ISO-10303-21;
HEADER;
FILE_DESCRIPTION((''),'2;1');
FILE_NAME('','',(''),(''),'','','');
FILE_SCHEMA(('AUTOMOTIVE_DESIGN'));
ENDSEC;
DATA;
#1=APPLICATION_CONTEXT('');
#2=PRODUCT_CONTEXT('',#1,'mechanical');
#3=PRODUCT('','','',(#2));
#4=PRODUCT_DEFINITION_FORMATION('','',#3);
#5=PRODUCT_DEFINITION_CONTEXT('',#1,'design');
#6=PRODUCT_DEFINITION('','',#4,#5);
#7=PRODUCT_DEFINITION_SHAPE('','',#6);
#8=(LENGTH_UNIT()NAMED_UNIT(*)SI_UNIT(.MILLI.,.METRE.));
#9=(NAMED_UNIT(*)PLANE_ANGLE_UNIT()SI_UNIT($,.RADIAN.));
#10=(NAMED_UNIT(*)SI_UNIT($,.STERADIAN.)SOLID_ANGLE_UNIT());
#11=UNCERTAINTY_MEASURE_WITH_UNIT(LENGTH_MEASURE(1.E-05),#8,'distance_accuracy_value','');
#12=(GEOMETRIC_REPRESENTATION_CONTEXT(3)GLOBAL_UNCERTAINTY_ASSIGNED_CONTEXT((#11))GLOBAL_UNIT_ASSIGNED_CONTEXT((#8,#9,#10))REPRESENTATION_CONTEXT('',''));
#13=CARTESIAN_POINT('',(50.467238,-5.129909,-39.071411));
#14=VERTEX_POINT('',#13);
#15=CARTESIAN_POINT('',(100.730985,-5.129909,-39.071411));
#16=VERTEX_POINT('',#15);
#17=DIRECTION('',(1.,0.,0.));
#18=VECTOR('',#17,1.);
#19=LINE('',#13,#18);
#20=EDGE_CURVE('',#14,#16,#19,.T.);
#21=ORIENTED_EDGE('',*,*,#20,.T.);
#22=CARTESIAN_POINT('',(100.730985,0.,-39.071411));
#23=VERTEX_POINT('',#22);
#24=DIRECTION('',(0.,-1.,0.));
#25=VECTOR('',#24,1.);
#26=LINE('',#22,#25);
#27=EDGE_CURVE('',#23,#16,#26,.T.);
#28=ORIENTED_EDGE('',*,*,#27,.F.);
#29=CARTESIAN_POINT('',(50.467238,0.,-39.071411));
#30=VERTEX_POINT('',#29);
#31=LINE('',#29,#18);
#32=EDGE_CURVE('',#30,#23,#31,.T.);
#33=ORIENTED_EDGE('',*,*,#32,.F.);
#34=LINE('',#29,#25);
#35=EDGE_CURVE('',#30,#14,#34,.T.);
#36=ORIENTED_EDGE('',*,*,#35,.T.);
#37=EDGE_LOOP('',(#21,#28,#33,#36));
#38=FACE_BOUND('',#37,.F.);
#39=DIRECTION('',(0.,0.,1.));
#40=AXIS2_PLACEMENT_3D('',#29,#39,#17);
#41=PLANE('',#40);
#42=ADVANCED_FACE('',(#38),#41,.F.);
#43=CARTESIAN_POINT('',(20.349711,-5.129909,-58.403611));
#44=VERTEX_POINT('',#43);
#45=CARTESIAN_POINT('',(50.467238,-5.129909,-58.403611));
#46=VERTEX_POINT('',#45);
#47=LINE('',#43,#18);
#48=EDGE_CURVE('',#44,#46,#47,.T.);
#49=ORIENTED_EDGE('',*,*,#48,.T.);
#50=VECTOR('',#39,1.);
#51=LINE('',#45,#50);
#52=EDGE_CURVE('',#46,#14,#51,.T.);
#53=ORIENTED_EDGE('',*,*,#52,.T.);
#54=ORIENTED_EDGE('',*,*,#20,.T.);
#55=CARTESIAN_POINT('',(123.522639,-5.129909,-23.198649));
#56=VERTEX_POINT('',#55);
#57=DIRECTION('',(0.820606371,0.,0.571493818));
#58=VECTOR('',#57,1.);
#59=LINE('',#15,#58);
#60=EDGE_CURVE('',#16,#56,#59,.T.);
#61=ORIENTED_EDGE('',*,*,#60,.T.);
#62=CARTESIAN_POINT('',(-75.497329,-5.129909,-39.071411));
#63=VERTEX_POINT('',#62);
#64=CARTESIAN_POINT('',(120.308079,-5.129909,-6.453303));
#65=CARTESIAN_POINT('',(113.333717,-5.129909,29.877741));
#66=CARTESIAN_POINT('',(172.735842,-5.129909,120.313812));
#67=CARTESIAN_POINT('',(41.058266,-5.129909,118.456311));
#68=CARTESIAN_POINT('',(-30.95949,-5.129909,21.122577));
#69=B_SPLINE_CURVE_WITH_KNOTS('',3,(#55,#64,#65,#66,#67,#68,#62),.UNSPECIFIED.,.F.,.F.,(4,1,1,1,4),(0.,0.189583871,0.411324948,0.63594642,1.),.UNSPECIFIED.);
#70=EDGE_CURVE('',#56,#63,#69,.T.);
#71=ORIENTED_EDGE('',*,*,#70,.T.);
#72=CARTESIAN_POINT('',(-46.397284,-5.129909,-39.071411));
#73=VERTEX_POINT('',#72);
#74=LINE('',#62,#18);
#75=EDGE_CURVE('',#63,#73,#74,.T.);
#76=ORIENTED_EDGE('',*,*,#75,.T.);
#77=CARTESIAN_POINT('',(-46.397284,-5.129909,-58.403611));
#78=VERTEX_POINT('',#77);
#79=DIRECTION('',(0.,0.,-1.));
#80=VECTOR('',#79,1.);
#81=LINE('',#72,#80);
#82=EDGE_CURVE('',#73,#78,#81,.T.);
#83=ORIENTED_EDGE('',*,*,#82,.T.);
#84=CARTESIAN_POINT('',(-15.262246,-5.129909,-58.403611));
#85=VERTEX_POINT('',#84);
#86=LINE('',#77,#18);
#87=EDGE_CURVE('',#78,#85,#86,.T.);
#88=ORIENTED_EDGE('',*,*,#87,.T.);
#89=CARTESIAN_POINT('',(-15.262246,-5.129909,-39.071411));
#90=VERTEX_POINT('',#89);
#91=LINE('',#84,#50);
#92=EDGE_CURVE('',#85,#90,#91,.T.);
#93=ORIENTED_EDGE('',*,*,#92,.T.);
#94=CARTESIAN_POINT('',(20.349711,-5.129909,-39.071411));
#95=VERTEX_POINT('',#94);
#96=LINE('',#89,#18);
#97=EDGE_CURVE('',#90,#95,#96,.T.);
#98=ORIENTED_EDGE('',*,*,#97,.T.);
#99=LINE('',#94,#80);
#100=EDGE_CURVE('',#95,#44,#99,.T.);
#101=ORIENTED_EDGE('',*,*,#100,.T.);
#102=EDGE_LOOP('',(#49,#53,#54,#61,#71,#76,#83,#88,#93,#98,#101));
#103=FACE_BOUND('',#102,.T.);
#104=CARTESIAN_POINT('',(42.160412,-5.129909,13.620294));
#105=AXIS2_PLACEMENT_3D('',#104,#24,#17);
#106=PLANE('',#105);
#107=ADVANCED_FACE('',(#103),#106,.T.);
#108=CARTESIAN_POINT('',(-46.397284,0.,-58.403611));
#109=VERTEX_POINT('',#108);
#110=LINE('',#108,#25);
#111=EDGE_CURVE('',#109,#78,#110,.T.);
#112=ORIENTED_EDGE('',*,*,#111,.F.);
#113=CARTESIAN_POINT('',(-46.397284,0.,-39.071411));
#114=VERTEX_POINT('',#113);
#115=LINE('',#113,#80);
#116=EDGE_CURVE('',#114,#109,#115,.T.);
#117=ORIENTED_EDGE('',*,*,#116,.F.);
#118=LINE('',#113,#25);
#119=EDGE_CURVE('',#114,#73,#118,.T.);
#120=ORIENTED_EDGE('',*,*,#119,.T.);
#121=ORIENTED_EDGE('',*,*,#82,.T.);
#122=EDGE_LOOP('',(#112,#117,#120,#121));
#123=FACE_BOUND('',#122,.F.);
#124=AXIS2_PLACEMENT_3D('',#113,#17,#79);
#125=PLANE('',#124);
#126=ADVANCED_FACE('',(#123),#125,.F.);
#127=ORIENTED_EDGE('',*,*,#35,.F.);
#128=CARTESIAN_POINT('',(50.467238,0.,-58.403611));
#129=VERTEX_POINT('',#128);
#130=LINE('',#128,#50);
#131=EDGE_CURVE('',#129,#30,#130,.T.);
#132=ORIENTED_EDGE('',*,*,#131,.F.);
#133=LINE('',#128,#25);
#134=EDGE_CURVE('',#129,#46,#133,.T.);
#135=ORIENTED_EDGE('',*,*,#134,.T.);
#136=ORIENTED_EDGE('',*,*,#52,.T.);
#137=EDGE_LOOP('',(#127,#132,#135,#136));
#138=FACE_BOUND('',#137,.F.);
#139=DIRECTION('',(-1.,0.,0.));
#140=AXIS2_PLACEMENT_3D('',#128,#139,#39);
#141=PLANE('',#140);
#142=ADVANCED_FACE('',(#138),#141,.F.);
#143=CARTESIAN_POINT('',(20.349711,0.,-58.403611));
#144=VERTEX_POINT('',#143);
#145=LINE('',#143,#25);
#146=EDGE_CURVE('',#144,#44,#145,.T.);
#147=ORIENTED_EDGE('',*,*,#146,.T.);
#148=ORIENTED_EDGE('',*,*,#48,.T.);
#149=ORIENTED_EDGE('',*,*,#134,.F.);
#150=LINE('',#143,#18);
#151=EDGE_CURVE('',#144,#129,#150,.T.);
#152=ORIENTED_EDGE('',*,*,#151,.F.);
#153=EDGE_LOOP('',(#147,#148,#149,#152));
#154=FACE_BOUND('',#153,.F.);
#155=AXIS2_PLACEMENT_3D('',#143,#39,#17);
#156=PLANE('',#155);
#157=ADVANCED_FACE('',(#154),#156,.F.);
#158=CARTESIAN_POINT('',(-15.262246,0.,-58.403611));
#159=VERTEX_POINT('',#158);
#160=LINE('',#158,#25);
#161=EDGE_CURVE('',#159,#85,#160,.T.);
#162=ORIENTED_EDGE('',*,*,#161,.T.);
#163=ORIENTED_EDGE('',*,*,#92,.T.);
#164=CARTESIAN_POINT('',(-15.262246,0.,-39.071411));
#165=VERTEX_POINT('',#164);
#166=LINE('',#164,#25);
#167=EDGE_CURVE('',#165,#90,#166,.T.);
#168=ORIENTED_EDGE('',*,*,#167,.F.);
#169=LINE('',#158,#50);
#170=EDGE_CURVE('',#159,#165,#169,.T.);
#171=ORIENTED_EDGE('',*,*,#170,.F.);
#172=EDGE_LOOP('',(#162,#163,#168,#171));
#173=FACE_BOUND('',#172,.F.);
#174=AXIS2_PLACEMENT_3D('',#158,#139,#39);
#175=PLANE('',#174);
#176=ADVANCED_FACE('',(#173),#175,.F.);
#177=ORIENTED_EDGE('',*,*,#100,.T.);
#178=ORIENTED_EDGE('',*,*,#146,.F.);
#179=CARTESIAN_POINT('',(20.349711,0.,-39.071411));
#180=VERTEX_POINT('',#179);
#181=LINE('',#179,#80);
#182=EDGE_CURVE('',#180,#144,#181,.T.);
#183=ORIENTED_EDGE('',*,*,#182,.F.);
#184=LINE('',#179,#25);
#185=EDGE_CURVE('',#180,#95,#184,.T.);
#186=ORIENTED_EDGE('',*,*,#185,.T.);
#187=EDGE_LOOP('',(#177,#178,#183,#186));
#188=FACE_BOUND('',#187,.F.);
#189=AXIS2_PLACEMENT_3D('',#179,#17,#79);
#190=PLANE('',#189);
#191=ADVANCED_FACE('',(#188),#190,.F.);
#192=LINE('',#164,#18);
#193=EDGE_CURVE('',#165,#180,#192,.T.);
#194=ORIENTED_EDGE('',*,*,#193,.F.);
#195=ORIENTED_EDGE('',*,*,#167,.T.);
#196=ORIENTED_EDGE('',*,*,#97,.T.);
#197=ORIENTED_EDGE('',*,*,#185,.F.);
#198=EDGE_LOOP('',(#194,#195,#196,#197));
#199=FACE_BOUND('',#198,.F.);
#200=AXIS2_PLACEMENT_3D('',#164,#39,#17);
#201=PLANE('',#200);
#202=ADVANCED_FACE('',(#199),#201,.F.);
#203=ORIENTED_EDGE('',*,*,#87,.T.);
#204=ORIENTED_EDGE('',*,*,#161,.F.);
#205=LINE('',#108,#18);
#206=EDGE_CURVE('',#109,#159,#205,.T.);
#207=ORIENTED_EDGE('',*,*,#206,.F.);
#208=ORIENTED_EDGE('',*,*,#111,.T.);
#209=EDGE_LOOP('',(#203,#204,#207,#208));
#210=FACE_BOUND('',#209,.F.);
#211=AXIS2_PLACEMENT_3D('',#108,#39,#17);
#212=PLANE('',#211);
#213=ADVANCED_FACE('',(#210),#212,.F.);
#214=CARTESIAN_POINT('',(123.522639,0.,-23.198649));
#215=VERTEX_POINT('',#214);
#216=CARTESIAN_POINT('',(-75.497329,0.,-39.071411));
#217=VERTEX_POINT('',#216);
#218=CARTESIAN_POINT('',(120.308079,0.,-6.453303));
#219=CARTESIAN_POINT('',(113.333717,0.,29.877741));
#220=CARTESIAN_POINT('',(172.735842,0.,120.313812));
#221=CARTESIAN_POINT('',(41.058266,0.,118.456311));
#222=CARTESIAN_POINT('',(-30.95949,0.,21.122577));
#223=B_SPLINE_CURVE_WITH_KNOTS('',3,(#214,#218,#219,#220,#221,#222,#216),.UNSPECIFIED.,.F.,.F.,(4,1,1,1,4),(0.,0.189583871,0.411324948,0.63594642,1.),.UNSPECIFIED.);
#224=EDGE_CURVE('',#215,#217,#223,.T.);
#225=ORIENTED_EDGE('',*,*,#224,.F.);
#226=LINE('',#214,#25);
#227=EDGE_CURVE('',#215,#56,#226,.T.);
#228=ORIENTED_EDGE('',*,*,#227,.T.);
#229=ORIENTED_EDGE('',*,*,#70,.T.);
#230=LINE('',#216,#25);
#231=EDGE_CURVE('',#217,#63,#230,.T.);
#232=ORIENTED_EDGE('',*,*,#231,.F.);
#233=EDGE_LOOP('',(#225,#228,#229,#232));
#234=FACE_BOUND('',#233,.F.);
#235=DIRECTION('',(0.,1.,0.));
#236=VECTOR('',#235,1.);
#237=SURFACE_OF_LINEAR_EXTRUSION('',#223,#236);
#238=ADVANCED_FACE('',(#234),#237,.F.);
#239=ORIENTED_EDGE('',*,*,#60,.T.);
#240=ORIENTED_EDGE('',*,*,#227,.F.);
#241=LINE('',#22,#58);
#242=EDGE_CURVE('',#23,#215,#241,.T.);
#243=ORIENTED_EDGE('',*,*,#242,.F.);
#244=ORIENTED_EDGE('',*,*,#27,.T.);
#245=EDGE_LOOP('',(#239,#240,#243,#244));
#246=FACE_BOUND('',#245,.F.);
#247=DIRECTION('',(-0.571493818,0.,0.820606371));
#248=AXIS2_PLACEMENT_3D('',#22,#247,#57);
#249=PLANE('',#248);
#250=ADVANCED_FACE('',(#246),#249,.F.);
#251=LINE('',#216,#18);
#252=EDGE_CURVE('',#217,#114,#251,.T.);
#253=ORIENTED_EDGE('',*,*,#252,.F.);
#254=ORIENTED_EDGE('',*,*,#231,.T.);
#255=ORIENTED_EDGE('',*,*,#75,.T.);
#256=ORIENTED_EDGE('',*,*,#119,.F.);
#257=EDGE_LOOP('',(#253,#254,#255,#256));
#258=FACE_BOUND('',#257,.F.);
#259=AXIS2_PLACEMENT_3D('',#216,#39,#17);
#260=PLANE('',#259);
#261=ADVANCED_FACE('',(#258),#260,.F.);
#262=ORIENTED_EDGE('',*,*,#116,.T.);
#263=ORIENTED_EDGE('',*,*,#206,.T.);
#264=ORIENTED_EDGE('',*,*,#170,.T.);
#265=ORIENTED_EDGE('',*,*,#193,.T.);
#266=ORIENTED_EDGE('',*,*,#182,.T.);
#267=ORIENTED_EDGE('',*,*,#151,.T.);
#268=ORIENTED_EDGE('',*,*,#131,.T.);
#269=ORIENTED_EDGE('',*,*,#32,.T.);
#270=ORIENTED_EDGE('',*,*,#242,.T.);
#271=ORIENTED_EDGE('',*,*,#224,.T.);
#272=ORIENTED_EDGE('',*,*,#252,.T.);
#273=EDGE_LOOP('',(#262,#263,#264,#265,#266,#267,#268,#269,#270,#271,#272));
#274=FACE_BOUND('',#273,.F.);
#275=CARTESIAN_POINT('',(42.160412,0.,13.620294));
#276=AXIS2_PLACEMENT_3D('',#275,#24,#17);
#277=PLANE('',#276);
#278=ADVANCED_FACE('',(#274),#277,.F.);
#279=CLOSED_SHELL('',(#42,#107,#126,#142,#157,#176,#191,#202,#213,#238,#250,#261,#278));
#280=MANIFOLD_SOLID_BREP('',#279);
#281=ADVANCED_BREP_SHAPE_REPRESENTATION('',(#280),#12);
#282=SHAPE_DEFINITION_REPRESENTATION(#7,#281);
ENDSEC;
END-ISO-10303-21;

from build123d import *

# Parameters (mm, degrees)
F1_DEPTH = 5.1299091429


with BuildPart() as f1:
    # F0 (on Front) → F1 (new body)
    with BuildSketch(Plane.XZ):
        with BuildLine():
            add(Edge.make_bspline(
                [(123.5226392746, -23.1986492872), (120.3080788863, -6.4533028819), (113.3337169489, 29.8777405484), (172.7358423926, 120.3138118369), (41.0582655264, 118.4563106412), (-30.9594902689, 21.1225774504), (-75.4973292351, -39.0714108944)],
                knots=[0, 0, 0, 0, 0.1895838708, 0.4113249484, 0.6359464196, 1, 1, 1, 1], degree=3))
            Line((-75.4973292351, -39.0714108944), (-46.3972836733, -39.0714108944))
            Line((-46.3972836733, -39.0714108944), (-46.3972836733, -58.4036111832))
            Line((-46.3972836733, -58.4036111832), (-15.2622461319, -58.4036111832))
            Line((-15.2622461319, -58.4036111832), (-15.2622461319, -39.0714108944))
            Line((-15.2622461319, -39.0714108944), (20.3497111797, -39.0714108944))
            Line((20.3497111797, -39.0714108944), (20.3497111797, -58.4036111832))
            Line((20.3497111797, -58.4036111832), (50.4672378302, -58.4036111832))
            Line((50.4672378302, -58.4036111832), (50.4672378302, -39.0714108944))
            Line((50.4672378302, -39.0714108944), (100.7309854031, -39.0714108944))
            Line((100.7309854031, -39.0714108944), (123.5226392746, -23.1986492872))
        make_face()
    extrude(amount=F1_DEPTH)


solid = f1.part
